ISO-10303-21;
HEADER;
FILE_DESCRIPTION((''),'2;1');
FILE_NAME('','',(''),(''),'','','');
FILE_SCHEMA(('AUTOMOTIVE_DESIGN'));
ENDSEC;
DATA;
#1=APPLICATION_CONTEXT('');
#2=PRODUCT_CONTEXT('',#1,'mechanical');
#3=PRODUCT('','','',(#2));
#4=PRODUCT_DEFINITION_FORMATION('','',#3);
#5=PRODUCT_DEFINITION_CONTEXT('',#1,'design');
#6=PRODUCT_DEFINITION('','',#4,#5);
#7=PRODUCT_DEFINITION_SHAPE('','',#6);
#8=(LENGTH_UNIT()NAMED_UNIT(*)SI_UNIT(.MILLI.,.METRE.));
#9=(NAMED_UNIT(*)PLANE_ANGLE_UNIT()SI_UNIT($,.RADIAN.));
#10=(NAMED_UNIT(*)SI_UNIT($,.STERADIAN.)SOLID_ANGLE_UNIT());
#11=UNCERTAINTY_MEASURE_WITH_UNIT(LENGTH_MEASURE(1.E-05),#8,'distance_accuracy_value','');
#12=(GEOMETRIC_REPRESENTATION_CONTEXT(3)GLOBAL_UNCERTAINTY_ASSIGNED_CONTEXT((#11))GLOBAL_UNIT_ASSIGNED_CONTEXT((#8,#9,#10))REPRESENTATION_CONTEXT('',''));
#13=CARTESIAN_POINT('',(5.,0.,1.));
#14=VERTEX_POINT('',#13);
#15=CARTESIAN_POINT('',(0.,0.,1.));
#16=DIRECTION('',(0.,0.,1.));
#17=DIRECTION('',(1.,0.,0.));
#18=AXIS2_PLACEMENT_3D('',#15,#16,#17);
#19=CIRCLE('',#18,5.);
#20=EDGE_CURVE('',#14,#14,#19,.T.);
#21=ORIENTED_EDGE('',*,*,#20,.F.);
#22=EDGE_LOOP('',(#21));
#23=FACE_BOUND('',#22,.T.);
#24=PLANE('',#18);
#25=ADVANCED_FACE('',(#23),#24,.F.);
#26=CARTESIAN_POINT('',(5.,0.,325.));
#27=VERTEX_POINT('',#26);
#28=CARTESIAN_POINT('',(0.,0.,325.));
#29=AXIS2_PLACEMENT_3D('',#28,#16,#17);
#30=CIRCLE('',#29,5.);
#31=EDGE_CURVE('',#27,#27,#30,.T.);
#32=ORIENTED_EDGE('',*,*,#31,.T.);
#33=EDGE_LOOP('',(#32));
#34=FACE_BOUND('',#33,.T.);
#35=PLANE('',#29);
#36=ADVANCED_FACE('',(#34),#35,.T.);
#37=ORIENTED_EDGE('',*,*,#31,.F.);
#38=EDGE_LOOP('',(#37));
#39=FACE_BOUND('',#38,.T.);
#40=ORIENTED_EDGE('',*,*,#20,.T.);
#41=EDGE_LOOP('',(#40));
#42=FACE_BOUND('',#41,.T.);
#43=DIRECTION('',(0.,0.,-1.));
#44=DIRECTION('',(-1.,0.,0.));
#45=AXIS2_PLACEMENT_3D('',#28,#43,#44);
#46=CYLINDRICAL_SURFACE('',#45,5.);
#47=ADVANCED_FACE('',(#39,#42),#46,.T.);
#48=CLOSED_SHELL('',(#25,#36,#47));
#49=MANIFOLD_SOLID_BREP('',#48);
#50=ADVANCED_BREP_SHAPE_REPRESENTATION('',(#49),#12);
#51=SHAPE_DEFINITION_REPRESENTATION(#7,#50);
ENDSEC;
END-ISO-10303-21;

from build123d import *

# Parameters (mm, degrees)
BOSS_EXTRUDE1_START = 1
SKETCH1_R           = 5
BOSS_EXTRUDE1_DEPTH = 324


with BuildPart() as part:
    # Sketch1 → Boss-Extrude1 (new body)
    with BuildSketch(Plane.XY.offset(BOSS_EXTRUDE1_START)):
        Circle(SKETCH1_R)
    extrude(amount=BOSS_EXTRUDE1_DEPTH)


solid = part.part
